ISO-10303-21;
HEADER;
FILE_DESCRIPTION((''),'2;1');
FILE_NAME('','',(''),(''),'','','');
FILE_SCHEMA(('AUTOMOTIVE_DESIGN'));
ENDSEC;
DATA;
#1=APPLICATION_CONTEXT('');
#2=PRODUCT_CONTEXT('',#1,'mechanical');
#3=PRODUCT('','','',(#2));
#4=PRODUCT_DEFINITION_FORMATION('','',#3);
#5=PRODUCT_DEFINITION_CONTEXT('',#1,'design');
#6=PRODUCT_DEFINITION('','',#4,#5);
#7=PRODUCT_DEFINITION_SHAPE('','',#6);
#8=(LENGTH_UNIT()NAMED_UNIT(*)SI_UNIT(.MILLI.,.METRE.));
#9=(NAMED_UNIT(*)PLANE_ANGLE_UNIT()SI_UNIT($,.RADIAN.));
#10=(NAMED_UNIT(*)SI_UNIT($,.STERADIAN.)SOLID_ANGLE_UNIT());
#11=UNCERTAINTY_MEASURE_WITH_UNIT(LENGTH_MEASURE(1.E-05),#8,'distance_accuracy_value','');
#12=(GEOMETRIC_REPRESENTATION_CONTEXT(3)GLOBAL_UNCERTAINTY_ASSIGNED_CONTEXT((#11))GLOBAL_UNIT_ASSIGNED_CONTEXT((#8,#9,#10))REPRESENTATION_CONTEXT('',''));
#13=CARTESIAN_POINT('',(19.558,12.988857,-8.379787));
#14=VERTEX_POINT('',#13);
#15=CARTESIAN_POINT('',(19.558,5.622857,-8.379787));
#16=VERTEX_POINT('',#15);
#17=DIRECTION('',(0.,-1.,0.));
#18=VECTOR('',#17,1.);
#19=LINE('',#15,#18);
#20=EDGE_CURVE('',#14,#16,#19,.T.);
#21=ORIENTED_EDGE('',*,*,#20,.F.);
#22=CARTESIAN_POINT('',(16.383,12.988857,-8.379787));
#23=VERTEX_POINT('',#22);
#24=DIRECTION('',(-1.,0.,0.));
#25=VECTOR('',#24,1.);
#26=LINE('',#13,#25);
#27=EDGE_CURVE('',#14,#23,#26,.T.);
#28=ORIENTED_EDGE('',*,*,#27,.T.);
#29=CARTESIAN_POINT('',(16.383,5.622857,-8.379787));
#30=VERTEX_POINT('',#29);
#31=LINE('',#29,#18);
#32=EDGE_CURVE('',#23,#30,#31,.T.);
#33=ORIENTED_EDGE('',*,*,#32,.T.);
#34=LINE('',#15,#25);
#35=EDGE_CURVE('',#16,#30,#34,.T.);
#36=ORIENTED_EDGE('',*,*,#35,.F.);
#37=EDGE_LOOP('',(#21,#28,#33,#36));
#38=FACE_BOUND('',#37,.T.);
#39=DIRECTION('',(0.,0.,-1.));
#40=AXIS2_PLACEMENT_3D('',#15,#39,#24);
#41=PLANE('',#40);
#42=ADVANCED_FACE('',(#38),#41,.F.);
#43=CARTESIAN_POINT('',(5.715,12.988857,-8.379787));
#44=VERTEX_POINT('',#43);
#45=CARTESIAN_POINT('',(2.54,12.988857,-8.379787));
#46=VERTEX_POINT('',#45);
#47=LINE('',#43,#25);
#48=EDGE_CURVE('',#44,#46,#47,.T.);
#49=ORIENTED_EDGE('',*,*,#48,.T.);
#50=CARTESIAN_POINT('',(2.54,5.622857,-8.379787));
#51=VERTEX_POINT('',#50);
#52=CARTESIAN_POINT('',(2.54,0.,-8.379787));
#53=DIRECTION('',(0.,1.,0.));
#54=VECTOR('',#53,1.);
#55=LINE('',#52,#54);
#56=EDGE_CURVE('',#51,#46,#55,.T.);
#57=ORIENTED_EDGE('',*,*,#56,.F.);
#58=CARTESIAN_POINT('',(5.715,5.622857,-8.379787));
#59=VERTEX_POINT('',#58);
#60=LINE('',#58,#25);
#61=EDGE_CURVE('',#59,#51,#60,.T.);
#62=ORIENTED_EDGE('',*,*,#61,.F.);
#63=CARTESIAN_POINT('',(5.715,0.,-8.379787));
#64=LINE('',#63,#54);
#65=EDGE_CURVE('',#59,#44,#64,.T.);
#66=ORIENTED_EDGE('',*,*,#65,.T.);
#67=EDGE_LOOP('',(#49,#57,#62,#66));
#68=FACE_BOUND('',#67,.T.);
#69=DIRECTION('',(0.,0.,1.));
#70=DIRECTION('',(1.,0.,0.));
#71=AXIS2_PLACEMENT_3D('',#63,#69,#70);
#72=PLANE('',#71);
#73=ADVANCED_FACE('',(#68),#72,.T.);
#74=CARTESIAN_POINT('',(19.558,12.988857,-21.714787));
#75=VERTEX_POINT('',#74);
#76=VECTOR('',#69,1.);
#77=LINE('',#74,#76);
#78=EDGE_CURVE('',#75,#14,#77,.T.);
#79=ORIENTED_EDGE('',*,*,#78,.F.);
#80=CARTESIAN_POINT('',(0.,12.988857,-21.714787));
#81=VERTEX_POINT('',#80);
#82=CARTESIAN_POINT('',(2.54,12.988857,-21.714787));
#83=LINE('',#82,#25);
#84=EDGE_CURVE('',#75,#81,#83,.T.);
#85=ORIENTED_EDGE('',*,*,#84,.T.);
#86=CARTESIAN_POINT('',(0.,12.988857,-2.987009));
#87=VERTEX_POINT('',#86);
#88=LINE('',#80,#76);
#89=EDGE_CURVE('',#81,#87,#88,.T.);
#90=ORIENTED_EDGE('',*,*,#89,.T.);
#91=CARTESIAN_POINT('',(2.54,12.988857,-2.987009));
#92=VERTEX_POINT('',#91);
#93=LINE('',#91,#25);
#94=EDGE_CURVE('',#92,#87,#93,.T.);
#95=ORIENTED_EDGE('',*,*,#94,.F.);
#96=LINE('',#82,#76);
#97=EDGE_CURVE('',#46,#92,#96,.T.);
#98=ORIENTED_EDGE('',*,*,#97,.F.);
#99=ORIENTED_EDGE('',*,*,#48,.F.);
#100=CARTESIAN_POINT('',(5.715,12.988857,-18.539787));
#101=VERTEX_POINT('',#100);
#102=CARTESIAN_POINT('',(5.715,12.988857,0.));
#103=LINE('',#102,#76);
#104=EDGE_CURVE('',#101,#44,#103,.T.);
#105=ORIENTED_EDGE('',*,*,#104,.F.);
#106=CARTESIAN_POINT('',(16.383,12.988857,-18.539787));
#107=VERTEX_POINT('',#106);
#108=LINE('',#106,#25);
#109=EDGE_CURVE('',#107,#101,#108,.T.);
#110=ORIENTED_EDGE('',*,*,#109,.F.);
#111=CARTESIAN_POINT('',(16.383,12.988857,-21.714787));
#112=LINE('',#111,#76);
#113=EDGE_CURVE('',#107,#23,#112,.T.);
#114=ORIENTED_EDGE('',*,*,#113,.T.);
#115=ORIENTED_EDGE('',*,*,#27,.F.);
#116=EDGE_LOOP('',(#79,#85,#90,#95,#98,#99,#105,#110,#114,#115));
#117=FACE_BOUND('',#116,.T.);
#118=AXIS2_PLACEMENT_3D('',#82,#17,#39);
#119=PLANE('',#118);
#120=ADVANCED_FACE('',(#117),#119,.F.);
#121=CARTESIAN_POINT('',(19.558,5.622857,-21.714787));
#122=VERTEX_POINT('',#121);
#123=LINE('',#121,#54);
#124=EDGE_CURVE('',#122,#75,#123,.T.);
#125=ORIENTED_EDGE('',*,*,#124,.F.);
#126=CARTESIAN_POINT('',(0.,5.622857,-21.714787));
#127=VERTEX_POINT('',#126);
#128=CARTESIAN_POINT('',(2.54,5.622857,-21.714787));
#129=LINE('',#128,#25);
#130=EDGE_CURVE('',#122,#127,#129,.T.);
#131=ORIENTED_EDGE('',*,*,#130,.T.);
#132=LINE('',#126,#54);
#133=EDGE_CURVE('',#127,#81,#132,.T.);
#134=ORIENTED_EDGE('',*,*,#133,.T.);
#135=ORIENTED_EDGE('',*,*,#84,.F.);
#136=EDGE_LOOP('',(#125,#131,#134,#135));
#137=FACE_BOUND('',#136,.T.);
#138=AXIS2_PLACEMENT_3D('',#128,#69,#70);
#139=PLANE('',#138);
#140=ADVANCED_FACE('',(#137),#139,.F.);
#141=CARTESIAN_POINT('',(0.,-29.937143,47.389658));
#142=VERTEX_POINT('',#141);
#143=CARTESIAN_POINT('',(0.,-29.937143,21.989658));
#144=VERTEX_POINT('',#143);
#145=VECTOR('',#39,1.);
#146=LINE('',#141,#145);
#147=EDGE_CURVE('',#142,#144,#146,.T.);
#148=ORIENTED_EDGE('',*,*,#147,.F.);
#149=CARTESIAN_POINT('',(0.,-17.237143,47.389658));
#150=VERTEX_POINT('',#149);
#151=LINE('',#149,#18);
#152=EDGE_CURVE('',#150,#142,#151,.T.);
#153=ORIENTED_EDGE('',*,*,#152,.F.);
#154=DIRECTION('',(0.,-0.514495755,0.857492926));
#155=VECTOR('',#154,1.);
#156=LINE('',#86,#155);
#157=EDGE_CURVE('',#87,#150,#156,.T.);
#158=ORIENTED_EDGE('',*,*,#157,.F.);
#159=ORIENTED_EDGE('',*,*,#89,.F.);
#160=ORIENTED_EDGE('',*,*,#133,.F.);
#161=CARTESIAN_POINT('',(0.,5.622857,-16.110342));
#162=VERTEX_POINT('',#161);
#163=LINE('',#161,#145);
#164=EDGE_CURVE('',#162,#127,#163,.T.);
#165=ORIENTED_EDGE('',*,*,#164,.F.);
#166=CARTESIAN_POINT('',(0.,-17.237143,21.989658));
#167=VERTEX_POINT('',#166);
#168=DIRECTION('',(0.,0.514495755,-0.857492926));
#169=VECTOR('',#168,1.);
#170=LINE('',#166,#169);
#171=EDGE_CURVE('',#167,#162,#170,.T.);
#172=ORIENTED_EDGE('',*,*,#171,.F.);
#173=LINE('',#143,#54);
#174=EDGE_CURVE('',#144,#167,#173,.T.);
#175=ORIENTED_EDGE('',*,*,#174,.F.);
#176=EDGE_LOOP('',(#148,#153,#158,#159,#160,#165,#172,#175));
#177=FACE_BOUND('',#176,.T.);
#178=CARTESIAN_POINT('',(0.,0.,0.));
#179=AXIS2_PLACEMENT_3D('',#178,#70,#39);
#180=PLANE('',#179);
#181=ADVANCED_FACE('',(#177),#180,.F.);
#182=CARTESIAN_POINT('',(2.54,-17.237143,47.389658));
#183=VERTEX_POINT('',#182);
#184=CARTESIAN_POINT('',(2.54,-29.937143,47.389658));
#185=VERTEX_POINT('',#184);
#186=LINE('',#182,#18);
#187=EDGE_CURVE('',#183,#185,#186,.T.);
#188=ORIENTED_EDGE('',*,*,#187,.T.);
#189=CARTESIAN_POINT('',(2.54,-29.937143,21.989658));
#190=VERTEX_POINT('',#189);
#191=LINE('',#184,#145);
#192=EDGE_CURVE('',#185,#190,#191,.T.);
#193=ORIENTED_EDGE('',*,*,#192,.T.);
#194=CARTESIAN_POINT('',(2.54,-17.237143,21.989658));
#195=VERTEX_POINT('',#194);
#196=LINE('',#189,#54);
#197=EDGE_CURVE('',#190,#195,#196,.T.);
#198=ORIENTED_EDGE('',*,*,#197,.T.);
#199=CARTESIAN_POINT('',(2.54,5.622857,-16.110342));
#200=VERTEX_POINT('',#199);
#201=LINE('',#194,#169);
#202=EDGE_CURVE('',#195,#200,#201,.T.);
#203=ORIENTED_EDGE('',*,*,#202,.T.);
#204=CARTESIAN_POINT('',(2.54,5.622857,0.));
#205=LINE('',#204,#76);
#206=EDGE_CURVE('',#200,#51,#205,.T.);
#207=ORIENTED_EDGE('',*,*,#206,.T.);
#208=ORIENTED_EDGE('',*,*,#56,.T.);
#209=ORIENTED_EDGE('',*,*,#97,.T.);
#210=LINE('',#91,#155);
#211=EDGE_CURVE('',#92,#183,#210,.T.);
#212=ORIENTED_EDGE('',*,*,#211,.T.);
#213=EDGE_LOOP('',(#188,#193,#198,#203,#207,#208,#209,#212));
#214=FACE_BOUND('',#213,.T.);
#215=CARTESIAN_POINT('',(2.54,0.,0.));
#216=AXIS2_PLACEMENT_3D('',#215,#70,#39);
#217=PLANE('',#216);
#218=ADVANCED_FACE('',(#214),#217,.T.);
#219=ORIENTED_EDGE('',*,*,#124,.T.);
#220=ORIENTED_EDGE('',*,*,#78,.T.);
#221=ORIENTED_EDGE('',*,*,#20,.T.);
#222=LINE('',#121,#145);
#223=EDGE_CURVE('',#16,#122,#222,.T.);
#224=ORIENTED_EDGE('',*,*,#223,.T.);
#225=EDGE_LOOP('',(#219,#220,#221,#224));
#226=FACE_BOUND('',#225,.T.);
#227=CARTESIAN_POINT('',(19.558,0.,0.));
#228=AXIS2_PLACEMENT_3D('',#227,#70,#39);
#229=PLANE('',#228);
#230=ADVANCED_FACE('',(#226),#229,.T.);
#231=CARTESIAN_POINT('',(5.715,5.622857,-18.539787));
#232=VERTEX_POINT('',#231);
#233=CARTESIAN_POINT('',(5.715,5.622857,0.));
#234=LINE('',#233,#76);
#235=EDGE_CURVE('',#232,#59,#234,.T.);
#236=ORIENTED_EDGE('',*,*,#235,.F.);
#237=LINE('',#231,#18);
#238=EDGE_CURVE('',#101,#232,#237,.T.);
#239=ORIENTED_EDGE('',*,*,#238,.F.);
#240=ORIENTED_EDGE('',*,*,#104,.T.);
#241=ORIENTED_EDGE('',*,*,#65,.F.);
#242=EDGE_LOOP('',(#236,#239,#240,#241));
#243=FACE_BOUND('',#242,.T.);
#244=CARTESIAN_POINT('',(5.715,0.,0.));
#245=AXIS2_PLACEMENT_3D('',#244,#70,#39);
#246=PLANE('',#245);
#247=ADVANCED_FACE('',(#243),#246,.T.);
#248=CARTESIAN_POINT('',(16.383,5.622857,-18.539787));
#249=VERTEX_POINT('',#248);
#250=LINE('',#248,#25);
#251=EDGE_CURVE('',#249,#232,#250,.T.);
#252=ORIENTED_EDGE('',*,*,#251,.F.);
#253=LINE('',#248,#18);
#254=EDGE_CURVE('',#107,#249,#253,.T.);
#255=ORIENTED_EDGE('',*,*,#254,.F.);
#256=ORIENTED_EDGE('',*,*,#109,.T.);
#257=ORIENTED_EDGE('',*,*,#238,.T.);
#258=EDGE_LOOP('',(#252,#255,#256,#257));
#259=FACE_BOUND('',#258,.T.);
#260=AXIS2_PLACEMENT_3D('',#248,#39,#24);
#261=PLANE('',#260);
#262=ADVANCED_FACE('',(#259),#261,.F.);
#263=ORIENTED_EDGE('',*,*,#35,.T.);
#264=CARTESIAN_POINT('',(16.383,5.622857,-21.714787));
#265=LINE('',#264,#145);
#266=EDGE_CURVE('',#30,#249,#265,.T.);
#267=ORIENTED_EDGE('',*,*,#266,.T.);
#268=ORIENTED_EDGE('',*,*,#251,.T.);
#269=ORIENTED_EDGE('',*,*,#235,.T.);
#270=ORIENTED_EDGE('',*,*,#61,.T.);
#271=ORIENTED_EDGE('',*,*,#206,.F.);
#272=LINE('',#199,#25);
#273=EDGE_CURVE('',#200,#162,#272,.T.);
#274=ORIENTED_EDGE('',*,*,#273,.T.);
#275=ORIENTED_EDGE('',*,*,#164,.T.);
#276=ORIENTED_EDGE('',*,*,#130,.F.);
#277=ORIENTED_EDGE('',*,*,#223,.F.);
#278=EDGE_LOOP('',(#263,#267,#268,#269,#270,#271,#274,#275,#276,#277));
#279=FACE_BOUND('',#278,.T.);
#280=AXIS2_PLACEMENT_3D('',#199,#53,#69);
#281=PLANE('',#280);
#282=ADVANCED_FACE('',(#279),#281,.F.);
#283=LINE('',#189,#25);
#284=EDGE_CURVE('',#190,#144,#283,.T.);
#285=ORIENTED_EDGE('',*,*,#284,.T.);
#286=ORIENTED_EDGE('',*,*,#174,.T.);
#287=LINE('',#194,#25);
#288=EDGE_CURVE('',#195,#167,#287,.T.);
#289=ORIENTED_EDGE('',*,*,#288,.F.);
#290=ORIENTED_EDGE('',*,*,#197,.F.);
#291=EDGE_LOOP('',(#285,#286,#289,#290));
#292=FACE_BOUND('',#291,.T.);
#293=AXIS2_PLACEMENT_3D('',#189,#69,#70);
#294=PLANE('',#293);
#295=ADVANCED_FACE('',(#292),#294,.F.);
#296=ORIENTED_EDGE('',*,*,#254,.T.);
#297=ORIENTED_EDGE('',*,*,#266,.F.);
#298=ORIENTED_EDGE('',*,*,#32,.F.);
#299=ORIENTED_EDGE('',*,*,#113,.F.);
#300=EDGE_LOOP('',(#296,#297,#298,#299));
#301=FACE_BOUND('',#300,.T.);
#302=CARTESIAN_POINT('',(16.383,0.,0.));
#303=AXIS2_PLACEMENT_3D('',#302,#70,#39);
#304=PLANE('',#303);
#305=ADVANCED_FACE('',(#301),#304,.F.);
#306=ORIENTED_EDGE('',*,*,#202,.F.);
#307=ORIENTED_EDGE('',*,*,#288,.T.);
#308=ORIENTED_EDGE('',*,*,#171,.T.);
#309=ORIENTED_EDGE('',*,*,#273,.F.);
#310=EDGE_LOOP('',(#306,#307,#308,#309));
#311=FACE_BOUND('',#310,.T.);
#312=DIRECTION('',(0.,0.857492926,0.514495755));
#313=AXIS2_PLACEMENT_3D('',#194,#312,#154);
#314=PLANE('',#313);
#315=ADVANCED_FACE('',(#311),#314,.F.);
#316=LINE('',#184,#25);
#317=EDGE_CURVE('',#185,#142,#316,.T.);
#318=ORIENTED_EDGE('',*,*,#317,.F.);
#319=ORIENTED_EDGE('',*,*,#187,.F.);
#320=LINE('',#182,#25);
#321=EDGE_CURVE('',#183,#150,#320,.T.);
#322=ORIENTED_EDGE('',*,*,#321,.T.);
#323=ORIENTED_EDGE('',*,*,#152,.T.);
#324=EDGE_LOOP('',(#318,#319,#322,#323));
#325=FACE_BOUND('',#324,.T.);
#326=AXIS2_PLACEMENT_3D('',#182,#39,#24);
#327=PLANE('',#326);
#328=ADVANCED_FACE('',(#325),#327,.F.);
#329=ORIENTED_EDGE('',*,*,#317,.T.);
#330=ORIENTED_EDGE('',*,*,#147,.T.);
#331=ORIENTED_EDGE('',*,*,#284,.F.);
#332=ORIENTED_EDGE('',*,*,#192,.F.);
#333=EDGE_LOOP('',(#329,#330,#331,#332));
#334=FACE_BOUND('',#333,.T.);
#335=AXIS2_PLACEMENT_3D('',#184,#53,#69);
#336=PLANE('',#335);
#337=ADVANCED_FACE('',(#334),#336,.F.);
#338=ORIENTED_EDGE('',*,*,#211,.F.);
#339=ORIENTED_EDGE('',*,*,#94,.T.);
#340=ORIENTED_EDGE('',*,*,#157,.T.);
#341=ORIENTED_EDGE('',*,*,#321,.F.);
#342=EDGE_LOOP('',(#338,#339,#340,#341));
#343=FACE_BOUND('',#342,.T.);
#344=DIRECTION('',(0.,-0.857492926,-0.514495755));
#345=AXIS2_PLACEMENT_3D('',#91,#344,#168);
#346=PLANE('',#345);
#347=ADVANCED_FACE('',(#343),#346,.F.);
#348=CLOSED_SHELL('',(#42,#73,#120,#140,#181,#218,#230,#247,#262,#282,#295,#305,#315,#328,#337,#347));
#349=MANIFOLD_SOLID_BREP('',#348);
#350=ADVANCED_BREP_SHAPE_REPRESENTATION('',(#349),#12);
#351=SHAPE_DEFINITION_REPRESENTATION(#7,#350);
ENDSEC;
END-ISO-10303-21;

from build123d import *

# Parameters (mm, degrees)
BOSS_EXTRUDE1_DEPTH = 2.54
SKETCH2_W           = 3.175
SKETCH2_H           = 7.366
BOSS_EXTRUDE2_DEPTH = 3.175
SKETCH3_W           = 3.175
SKETCH3_H           = 7.366
BOSS_EXTRUDE4_DEPTH = 10.668
SKETCH4_W           = 13.335
SKETCH4_H           = 7.366
BOSS_EXTRUDE5_DEPTH = 3.175


with BuildPart() as part:
    # Sketch1 → Boss-Extrude1 (new body)
    with BuildSketch(Plane(origin=(0, 0, 0), x_dir=(0, 0, -1), z_dir=(1, 0, 0))):
        Polygon((-47.389657734, -29.937142578), (-21.989657734, -29.937142578), (-21.989657734, -17.237142578), (16.110342266, 5.622857422), (21.714787013, 5.622857422), (21.714787013, 12.988857422), (2.987008932, 12.988857422), (-47.389657734, -17.237142578), align=None)
    extrude(amount=BOSS_EXTRUDE1_DEPTH)

    # Sketch2 → Boss-Extrude2 (add)
    with BuildSketch(Plane(origin=(2.54, 0, 0), x_dir=(0, 0, -1), z_dir=(1, 0, 0))):
        Polygon((16.110342266, 5.622857422), (21.714787013, 5.622857422), (21.714787013, 12.988857422), (11.554787013, 12.988857422), (11.554787013, 5.622857422), align=None)
        with Locations((9.967287013, 9.305857422)):
            Rectangle(SKETCH2_W, SKETCH2_H)
    extrude(amount=BOSS_EXTRUDE2_DEPTH)

    # Sketch3 → Boss-Extrude4 (add)
    with BuildSketch(Plane(origin=(5.715, 0, 0), x_dir=(0, 0, -1), z_dir=(1, 0, 0))):
        with Locations((20.127287013, 9.305857422)):
            Rectangle(SKETCH3_W, SKETCH3_H)
    extrude(amount=BOSS_EXTRUDE4_DEPTH)

    # Sketch4 → Boss-Extrude5 (add)
    with BuildSketch(Plane(origin=(16.383, 0, 0), x_dir=(0, 0, -1), z_dir=(1, 0, 0))):
        with Locations((15.047287013, 9.305857422)):
            Rectangle(SKETCH4_W, SKETCH4_H)
    extrude(amount=BOSS_EXTRUDE5_DEPTH)


solid = part.part
